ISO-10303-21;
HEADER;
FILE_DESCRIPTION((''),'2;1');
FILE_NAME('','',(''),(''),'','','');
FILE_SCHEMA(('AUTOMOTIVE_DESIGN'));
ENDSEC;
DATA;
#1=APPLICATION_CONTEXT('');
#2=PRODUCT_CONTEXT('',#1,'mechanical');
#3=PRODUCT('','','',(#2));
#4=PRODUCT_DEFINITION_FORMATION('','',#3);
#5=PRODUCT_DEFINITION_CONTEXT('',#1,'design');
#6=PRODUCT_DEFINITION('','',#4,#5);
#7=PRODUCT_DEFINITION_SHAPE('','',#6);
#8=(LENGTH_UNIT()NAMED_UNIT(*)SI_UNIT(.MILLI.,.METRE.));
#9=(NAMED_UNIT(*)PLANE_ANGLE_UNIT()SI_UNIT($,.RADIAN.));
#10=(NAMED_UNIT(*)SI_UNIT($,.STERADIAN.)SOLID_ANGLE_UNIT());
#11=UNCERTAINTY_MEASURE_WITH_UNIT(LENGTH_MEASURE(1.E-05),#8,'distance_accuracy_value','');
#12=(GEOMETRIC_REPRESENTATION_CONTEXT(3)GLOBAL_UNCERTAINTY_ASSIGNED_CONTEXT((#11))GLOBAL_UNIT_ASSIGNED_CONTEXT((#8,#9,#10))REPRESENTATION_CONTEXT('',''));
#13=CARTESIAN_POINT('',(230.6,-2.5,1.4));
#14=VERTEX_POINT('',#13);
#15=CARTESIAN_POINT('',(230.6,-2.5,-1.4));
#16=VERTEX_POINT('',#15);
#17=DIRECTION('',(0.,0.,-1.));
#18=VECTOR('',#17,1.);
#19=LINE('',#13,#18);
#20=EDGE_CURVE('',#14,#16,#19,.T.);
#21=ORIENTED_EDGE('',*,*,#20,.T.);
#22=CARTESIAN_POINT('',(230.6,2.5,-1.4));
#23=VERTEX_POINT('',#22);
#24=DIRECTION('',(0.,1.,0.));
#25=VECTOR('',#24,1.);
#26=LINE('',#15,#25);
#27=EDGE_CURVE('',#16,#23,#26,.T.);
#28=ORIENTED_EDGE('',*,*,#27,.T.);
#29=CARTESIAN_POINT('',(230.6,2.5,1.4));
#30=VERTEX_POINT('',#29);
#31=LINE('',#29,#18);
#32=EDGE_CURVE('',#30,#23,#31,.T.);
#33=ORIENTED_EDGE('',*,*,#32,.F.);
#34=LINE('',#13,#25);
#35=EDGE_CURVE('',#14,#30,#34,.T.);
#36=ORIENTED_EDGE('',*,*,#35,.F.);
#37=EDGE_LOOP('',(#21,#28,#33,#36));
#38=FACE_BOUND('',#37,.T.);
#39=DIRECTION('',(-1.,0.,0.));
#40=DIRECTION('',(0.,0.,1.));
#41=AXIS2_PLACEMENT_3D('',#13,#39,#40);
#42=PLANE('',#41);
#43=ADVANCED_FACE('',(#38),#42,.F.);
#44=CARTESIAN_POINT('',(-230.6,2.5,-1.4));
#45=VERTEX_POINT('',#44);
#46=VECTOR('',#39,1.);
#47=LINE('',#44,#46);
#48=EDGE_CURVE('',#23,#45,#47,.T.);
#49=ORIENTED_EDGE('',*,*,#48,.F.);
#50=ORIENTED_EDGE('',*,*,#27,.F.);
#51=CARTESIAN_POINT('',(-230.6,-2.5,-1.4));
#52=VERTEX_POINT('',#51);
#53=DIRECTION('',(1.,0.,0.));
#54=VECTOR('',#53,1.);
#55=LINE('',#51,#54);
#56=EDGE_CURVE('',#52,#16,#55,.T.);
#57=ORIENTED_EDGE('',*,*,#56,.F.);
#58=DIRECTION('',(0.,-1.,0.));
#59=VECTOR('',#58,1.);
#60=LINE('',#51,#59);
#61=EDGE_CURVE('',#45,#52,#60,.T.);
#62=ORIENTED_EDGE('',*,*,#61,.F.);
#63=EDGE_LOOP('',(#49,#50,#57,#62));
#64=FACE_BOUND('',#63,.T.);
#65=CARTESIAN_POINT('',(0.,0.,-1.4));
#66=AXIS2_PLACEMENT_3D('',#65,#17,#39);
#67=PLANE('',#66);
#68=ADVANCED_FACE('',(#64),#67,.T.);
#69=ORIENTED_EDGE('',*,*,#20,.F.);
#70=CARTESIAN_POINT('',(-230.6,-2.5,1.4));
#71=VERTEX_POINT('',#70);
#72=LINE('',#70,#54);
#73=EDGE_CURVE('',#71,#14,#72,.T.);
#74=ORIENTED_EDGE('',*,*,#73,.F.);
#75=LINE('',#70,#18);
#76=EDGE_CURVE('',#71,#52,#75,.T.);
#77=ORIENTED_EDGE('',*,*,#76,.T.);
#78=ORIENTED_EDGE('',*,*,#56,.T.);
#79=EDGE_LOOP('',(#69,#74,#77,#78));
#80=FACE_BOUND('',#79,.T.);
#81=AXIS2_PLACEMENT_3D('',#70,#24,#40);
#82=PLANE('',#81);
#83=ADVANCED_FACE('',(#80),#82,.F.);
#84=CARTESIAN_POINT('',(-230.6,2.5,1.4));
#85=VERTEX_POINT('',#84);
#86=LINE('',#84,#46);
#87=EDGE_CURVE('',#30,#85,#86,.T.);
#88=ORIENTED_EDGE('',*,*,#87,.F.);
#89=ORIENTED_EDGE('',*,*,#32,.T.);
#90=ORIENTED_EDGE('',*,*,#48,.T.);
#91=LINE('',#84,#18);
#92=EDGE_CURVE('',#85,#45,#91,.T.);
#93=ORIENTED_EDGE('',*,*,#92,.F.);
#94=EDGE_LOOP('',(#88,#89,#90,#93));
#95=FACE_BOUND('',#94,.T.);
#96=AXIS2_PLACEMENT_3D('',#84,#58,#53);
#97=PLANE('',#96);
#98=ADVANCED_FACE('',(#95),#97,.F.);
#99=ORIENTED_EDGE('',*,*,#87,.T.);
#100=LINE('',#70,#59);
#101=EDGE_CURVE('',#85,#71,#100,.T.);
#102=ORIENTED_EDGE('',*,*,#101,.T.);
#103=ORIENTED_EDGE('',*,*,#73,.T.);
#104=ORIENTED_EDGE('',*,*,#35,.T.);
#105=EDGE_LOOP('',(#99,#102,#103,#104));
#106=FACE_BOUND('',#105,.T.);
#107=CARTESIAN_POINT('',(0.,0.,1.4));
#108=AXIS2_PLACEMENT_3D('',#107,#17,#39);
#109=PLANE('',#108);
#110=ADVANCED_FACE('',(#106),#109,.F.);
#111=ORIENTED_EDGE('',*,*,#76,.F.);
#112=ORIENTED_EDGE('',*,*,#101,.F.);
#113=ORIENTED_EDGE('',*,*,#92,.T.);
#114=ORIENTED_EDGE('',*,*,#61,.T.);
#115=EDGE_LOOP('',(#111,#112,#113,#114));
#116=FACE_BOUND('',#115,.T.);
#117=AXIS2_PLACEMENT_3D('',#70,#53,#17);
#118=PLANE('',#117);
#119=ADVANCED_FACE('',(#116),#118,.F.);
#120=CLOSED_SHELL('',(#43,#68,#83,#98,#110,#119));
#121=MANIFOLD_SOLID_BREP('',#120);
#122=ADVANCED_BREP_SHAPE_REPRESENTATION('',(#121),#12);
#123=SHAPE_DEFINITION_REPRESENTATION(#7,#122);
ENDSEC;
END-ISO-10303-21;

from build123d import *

# Parameters (mm, degrees)
SKETCH_2_W      = 461.2
SKETCH_2_H      = 5
EXTRUDE_1_DEPTH = 1.4


with BuildPart() as part:
    # Эскиз2 → Бобышка-Вытянуть1 (new, symmetric)
    with BuildSketch(Plane.XY):
        Rectangle(SKETCH_2_W, SKETCH_2_H)
    extrude(amount=EXTRUDE_1_DEPTH, both=True)


solid = part.part
